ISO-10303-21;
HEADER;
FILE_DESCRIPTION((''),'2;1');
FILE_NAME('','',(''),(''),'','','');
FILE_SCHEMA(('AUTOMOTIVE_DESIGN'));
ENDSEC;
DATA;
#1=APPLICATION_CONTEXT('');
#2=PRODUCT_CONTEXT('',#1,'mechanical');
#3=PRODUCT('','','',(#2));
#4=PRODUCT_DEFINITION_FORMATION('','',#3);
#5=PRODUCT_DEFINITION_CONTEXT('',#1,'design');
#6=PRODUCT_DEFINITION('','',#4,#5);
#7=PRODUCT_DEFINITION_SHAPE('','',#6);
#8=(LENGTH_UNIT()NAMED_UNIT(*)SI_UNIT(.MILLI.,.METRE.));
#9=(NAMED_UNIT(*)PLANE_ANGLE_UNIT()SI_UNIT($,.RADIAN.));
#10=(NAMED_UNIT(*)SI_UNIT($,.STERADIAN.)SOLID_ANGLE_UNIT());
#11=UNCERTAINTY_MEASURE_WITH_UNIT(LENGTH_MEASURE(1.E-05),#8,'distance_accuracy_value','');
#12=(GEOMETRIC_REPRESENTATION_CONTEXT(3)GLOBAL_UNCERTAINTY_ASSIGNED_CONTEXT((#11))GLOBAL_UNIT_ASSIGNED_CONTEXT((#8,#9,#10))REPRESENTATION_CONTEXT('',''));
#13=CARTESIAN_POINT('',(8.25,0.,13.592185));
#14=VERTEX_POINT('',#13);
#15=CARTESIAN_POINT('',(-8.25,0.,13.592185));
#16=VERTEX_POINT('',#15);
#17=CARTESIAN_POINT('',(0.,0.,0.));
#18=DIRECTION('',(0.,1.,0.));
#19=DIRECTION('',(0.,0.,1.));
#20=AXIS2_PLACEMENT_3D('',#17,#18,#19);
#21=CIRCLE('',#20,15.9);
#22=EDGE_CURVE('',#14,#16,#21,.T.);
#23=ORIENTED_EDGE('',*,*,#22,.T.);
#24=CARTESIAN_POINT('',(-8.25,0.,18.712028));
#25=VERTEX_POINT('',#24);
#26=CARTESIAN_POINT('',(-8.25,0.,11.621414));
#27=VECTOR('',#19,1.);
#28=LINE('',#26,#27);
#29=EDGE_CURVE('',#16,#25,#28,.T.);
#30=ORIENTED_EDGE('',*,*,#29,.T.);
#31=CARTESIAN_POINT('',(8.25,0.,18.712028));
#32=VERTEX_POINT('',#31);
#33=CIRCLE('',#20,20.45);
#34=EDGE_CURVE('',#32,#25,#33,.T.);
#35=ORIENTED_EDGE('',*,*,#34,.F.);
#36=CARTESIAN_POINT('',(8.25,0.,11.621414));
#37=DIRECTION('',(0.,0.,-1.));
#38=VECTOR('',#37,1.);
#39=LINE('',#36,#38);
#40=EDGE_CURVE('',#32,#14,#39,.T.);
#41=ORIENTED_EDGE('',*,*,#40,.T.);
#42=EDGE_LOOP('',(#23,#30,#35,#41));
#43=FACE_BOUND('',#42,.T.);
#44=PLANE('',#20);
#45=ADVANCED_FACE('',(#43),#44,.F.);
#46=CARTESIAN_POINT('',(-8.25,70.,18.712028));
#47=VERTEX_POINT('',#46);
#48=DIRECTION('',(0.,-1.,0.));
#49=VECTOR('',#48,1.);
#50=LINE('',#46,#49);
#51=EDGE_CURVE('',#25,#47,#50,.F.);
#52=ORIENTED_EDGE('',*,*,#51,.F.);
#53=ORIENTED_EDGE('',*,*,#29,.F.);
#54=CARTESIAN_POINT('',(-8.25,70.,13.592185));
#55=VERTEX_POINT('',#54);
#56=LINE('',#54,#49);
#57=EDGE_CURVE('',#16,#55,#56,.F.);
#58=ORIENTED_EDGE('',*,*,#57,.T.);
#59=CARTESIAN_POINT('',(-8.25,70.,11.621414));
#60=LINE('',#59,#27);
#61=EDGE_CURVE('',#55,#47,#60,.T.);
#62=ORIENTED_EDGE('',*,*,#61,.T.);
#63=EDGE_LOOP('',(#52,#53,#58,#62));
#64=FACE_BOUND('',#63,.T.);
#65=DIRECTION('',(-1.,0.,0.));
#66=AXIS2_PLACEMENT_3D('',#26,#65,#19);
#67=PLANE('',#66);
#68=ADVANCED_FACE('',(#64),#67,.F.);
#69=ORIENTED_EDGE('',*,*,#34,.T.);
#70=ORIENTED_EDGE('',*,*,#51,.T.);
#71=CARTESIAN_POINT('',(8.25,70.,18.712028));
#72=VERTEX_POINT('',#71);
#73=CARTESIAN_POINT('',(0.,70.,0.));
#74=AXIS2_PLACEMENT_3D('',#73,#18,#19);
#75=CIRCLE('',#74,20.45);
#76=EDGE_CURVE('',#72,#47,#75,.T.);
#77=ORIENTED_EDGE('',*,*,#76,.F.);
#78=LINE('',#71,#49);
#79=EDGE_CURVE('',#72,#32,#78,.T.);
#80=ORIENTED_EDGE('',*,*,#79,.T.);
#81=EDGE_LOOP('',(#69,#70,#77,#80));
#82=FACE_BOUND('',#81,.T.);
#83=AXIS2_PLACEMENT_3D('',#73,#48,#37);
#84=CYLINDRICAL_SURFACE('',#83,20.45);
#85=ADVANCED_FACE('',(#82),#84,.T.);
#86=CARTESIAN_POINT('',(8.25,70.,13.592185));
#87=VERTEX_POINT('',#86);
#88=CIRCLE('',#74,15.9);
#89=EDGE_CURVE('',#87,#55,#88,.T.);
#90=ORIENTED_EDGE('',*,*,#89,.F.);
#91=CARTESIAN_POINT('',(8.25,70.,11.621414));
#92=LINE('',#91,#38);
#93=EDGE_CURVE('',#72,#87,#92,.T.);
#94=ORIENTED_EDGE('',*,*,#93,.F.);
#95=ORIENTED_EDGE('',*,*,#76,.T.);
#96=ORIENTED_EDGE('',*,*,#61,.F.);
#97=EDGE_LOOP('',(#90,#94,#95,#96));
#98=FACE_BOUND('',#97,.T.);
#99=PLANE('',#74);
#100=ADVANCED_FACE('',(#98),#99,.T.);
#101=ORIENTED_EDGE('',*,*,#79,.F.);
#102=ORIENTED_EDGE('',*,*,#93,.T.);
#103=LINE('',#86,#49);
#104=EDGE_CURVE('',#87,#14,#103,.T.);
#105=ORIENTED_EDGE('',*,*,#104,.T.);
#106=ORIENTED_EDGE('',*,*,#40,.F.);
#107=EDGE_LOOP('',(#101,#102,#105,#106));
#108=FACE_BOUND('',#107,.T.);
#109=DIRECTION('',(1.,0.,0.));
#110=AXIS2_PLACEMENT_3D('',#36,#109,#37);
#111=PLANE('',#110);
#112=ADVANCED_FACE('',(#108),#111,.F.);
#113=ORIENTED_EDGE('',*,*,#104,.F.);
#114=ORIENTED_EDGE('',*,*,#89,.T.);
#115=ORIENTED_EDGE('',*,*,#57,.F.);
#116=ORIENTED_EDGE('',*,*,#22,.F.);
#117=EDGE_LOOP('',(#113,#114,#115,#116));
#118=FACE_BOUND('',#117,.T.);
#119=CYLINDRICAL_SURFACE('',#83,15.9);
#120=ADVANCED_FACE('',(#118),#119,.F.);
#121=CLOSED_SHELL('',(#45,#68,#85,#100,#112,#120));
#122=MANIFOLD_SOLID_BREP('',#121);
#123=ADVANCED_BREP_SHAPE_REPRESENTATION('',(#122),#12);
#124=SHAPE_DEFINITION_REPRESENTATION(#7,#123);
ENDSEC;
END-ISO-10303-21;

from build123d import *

# Parameters (mm, degrees)
ESQUISSE1_R   = 20.45
ESQUISSE1_R_2 = 15.9
TUBE_DEPTH    = 70
ESQUISSE2_W   = 16.5
ESQUISSE2_H   = 10.294768252
FENTE_DEPTH   = 76.739058616


with BuildPart() as part:
    # Esquisse1 → Tube (new body)
    with BuildSketch(Plane(origin=(0, 0, 0), x_dir=(1, 0, 0), z_dir=(0, 1, 0))):
        with Locations(Location((0, 0, 0), (0, 0, 270))):
            Circle(ESQUISSE1_R)
        with Locations(Location((0, 0, 0), (0, 0, 270))):
            Circle(ESQUISSE1_R_2, mode=Mode.SUBTRACT)
    extrude(amount=TUBE_DEPTH)

    # Esquisse2 → Fente (cut, through all)
    with BuildSketch(Plane(origin=(0, 70, 0), x_dir=(1, 0, 0), z_dir=(0, 1, 0))):
        with Locations((0, -16.768797771)):
            Rectangle(ESQUISSE2_W, ESQUISSE2_H)
    extrude(amount=-FENTE_DEPTH, mode=Mode.SUBTRACT)


solid = part.part
